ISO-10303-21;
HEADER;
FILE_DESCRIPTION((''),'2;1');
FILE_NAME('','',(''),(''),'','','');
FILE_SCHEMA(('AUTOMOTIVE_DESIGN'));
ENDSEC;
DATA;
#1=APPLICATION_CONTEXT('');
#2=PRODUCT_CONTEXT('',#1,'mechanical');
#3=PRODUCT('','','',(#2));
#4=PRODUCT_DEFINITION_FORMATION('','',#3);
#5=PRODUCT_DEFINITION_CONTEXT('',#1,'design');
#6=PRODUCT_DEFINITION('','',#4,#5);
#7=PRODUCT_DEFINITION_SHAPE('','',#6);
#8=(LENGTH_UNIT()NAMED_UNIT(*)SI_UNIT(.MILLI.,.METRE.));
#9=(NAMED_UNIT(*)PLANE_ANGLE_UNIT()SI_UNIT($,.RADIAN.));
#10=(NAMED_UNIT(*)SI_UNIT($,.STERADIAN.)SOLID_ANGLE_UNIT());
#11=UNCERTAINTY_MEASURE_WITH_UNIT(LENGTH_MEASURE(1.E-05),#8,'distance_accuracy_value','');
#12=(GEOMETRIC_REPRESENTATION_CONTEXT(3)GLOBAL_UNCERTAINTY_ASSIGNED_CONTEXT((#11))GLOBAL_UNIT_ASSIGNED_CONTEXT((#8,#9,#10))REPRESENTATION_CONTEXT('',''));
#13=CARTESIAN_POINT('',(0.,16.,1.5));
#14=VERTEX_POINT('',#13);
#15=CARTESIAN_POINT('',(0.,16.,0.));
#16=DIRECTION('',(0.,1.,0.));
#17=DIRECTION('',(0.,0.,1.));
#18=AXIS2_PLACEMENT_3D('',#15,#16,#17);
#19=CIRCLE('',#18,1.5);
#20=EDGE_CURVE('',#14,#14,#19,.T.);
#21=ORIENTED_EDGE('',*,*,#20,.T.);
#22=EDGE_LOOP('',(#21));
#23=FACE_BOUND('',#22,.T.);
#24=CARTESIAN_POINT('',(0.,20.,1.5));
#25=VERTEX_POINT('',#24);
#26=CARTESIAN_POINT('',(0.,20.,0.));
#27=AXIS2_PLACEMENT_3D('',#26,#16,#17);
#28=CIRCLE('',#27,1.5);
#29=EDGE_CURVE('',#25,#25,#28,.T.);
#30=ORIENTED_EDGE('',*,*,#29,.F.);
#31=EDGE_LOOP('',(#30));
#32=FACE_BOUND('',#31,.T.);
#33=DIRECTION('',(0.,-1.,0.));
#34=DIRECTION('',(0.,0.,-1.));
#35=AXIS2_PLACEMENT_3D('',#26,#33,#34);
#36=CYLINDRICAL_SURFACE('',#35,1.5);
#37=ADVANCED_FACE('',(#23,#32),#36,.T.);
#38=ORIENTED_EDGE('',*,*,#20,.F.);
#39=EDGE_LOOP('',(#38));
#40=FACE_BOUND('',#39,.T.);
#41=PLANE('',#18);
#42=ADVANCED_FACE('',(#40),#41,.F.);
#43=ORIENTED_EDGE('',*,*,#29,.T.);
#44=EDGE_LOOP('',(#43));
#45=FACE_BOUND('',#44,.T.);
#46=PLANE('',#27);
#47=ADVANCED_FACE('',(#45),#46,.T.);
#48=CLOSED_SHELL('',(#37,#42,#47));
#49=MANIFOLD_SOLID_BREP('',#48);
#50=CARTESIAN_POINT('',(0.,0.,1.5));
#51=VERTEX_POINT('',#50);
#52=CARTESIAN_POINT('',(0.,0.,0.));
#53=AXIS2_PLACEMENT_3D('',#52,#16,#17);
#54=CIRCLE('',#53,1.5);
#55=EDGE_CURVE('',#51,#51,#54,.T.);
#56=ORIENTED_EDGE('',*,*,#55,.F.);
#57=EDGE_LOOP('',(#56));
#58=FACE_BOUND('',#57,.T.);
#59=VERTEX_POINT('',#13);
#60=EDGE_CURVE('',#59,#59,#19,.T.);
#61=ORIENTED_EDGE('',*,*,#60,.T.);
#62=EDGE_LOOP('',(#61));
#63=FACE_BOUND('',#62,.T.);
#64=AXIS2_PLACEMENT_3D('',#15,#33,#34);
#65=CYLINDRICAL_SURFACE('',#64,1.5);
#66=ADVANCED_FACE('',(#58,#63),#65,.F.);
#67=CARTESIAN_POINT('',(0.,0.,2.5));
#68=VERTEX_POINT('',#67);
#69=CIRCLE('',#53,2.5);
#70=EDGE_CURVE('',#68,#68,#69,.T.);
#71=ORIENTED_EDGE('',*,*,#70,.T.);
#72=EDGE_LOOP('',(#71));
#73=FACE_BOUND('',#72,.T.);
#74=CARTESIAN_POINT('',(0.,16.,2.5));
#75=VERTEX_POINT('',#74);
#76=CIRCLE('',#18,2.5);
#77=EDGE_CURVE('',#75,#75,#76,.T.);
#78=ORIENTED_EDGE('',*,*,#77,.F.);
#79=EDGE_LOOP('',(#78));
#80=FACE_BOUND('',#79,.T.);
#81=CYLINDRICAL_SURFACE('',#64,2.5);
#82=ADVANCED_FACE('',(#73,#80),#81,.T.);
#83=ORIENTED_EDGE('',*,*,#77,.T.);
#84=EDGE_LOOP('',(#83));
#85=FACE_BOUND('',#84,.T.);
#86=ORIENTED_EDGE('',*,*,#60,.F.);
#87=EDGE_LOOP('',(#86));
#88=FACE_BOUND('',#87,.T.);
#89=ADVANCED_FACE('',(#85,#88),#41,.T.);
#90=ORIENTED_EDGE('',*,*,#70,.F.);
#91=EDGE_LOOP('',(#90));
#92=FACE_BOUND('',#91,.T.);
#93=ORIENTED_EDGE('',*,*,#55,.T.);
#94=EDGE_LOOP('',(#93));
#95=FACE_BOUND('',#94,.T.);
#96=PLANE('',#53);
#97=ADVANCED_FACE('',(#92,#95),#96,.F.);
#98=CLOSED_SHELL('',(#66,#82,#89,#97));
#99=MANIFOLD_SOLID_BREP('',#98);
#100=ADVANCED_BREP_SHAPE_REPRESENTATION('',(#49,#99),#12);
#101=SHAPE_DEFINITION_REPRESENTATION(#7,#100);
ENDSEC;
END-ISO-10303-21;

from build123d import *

# Parameters (mm, degrees)
SKETCH_1_R      = 2.5
SKETCH_1_R_2    = 1.5
EXTRUDE_1_DEPTH = 16
SKETCH_2_R      = 1.5
EXTRUDE_2_DEPTH = 4


with BuildPart() as part:
    # 草图1 → 凸台-拉伸1 (new body)
    with BuildSketch(Plane(origin=(0, 0, 0), x_dir=(1, 0, 0), z_dir=(0, 1, 0))):
        Circle(SKETCH_1_R)
        Circle(SKETCH_1_R_2, mode=Mode.SUBTRACT)
    extrude(amount=EXTRUDE_1_DEPTH)


with BuildPart() as body_2:
    # 草图2 → 凸台-拉伸2 (new body)
    with BuildSketch(Plane(origin=(0, 16, 0), x_dir=(1, 0, 0), z_dir=(0, 1, 0))):
        Circle(SKETCH_2_R)
    extrude(amount=EXTRUDE_2_DEPTH)


solid = Compound([part.part, body_2.part])
